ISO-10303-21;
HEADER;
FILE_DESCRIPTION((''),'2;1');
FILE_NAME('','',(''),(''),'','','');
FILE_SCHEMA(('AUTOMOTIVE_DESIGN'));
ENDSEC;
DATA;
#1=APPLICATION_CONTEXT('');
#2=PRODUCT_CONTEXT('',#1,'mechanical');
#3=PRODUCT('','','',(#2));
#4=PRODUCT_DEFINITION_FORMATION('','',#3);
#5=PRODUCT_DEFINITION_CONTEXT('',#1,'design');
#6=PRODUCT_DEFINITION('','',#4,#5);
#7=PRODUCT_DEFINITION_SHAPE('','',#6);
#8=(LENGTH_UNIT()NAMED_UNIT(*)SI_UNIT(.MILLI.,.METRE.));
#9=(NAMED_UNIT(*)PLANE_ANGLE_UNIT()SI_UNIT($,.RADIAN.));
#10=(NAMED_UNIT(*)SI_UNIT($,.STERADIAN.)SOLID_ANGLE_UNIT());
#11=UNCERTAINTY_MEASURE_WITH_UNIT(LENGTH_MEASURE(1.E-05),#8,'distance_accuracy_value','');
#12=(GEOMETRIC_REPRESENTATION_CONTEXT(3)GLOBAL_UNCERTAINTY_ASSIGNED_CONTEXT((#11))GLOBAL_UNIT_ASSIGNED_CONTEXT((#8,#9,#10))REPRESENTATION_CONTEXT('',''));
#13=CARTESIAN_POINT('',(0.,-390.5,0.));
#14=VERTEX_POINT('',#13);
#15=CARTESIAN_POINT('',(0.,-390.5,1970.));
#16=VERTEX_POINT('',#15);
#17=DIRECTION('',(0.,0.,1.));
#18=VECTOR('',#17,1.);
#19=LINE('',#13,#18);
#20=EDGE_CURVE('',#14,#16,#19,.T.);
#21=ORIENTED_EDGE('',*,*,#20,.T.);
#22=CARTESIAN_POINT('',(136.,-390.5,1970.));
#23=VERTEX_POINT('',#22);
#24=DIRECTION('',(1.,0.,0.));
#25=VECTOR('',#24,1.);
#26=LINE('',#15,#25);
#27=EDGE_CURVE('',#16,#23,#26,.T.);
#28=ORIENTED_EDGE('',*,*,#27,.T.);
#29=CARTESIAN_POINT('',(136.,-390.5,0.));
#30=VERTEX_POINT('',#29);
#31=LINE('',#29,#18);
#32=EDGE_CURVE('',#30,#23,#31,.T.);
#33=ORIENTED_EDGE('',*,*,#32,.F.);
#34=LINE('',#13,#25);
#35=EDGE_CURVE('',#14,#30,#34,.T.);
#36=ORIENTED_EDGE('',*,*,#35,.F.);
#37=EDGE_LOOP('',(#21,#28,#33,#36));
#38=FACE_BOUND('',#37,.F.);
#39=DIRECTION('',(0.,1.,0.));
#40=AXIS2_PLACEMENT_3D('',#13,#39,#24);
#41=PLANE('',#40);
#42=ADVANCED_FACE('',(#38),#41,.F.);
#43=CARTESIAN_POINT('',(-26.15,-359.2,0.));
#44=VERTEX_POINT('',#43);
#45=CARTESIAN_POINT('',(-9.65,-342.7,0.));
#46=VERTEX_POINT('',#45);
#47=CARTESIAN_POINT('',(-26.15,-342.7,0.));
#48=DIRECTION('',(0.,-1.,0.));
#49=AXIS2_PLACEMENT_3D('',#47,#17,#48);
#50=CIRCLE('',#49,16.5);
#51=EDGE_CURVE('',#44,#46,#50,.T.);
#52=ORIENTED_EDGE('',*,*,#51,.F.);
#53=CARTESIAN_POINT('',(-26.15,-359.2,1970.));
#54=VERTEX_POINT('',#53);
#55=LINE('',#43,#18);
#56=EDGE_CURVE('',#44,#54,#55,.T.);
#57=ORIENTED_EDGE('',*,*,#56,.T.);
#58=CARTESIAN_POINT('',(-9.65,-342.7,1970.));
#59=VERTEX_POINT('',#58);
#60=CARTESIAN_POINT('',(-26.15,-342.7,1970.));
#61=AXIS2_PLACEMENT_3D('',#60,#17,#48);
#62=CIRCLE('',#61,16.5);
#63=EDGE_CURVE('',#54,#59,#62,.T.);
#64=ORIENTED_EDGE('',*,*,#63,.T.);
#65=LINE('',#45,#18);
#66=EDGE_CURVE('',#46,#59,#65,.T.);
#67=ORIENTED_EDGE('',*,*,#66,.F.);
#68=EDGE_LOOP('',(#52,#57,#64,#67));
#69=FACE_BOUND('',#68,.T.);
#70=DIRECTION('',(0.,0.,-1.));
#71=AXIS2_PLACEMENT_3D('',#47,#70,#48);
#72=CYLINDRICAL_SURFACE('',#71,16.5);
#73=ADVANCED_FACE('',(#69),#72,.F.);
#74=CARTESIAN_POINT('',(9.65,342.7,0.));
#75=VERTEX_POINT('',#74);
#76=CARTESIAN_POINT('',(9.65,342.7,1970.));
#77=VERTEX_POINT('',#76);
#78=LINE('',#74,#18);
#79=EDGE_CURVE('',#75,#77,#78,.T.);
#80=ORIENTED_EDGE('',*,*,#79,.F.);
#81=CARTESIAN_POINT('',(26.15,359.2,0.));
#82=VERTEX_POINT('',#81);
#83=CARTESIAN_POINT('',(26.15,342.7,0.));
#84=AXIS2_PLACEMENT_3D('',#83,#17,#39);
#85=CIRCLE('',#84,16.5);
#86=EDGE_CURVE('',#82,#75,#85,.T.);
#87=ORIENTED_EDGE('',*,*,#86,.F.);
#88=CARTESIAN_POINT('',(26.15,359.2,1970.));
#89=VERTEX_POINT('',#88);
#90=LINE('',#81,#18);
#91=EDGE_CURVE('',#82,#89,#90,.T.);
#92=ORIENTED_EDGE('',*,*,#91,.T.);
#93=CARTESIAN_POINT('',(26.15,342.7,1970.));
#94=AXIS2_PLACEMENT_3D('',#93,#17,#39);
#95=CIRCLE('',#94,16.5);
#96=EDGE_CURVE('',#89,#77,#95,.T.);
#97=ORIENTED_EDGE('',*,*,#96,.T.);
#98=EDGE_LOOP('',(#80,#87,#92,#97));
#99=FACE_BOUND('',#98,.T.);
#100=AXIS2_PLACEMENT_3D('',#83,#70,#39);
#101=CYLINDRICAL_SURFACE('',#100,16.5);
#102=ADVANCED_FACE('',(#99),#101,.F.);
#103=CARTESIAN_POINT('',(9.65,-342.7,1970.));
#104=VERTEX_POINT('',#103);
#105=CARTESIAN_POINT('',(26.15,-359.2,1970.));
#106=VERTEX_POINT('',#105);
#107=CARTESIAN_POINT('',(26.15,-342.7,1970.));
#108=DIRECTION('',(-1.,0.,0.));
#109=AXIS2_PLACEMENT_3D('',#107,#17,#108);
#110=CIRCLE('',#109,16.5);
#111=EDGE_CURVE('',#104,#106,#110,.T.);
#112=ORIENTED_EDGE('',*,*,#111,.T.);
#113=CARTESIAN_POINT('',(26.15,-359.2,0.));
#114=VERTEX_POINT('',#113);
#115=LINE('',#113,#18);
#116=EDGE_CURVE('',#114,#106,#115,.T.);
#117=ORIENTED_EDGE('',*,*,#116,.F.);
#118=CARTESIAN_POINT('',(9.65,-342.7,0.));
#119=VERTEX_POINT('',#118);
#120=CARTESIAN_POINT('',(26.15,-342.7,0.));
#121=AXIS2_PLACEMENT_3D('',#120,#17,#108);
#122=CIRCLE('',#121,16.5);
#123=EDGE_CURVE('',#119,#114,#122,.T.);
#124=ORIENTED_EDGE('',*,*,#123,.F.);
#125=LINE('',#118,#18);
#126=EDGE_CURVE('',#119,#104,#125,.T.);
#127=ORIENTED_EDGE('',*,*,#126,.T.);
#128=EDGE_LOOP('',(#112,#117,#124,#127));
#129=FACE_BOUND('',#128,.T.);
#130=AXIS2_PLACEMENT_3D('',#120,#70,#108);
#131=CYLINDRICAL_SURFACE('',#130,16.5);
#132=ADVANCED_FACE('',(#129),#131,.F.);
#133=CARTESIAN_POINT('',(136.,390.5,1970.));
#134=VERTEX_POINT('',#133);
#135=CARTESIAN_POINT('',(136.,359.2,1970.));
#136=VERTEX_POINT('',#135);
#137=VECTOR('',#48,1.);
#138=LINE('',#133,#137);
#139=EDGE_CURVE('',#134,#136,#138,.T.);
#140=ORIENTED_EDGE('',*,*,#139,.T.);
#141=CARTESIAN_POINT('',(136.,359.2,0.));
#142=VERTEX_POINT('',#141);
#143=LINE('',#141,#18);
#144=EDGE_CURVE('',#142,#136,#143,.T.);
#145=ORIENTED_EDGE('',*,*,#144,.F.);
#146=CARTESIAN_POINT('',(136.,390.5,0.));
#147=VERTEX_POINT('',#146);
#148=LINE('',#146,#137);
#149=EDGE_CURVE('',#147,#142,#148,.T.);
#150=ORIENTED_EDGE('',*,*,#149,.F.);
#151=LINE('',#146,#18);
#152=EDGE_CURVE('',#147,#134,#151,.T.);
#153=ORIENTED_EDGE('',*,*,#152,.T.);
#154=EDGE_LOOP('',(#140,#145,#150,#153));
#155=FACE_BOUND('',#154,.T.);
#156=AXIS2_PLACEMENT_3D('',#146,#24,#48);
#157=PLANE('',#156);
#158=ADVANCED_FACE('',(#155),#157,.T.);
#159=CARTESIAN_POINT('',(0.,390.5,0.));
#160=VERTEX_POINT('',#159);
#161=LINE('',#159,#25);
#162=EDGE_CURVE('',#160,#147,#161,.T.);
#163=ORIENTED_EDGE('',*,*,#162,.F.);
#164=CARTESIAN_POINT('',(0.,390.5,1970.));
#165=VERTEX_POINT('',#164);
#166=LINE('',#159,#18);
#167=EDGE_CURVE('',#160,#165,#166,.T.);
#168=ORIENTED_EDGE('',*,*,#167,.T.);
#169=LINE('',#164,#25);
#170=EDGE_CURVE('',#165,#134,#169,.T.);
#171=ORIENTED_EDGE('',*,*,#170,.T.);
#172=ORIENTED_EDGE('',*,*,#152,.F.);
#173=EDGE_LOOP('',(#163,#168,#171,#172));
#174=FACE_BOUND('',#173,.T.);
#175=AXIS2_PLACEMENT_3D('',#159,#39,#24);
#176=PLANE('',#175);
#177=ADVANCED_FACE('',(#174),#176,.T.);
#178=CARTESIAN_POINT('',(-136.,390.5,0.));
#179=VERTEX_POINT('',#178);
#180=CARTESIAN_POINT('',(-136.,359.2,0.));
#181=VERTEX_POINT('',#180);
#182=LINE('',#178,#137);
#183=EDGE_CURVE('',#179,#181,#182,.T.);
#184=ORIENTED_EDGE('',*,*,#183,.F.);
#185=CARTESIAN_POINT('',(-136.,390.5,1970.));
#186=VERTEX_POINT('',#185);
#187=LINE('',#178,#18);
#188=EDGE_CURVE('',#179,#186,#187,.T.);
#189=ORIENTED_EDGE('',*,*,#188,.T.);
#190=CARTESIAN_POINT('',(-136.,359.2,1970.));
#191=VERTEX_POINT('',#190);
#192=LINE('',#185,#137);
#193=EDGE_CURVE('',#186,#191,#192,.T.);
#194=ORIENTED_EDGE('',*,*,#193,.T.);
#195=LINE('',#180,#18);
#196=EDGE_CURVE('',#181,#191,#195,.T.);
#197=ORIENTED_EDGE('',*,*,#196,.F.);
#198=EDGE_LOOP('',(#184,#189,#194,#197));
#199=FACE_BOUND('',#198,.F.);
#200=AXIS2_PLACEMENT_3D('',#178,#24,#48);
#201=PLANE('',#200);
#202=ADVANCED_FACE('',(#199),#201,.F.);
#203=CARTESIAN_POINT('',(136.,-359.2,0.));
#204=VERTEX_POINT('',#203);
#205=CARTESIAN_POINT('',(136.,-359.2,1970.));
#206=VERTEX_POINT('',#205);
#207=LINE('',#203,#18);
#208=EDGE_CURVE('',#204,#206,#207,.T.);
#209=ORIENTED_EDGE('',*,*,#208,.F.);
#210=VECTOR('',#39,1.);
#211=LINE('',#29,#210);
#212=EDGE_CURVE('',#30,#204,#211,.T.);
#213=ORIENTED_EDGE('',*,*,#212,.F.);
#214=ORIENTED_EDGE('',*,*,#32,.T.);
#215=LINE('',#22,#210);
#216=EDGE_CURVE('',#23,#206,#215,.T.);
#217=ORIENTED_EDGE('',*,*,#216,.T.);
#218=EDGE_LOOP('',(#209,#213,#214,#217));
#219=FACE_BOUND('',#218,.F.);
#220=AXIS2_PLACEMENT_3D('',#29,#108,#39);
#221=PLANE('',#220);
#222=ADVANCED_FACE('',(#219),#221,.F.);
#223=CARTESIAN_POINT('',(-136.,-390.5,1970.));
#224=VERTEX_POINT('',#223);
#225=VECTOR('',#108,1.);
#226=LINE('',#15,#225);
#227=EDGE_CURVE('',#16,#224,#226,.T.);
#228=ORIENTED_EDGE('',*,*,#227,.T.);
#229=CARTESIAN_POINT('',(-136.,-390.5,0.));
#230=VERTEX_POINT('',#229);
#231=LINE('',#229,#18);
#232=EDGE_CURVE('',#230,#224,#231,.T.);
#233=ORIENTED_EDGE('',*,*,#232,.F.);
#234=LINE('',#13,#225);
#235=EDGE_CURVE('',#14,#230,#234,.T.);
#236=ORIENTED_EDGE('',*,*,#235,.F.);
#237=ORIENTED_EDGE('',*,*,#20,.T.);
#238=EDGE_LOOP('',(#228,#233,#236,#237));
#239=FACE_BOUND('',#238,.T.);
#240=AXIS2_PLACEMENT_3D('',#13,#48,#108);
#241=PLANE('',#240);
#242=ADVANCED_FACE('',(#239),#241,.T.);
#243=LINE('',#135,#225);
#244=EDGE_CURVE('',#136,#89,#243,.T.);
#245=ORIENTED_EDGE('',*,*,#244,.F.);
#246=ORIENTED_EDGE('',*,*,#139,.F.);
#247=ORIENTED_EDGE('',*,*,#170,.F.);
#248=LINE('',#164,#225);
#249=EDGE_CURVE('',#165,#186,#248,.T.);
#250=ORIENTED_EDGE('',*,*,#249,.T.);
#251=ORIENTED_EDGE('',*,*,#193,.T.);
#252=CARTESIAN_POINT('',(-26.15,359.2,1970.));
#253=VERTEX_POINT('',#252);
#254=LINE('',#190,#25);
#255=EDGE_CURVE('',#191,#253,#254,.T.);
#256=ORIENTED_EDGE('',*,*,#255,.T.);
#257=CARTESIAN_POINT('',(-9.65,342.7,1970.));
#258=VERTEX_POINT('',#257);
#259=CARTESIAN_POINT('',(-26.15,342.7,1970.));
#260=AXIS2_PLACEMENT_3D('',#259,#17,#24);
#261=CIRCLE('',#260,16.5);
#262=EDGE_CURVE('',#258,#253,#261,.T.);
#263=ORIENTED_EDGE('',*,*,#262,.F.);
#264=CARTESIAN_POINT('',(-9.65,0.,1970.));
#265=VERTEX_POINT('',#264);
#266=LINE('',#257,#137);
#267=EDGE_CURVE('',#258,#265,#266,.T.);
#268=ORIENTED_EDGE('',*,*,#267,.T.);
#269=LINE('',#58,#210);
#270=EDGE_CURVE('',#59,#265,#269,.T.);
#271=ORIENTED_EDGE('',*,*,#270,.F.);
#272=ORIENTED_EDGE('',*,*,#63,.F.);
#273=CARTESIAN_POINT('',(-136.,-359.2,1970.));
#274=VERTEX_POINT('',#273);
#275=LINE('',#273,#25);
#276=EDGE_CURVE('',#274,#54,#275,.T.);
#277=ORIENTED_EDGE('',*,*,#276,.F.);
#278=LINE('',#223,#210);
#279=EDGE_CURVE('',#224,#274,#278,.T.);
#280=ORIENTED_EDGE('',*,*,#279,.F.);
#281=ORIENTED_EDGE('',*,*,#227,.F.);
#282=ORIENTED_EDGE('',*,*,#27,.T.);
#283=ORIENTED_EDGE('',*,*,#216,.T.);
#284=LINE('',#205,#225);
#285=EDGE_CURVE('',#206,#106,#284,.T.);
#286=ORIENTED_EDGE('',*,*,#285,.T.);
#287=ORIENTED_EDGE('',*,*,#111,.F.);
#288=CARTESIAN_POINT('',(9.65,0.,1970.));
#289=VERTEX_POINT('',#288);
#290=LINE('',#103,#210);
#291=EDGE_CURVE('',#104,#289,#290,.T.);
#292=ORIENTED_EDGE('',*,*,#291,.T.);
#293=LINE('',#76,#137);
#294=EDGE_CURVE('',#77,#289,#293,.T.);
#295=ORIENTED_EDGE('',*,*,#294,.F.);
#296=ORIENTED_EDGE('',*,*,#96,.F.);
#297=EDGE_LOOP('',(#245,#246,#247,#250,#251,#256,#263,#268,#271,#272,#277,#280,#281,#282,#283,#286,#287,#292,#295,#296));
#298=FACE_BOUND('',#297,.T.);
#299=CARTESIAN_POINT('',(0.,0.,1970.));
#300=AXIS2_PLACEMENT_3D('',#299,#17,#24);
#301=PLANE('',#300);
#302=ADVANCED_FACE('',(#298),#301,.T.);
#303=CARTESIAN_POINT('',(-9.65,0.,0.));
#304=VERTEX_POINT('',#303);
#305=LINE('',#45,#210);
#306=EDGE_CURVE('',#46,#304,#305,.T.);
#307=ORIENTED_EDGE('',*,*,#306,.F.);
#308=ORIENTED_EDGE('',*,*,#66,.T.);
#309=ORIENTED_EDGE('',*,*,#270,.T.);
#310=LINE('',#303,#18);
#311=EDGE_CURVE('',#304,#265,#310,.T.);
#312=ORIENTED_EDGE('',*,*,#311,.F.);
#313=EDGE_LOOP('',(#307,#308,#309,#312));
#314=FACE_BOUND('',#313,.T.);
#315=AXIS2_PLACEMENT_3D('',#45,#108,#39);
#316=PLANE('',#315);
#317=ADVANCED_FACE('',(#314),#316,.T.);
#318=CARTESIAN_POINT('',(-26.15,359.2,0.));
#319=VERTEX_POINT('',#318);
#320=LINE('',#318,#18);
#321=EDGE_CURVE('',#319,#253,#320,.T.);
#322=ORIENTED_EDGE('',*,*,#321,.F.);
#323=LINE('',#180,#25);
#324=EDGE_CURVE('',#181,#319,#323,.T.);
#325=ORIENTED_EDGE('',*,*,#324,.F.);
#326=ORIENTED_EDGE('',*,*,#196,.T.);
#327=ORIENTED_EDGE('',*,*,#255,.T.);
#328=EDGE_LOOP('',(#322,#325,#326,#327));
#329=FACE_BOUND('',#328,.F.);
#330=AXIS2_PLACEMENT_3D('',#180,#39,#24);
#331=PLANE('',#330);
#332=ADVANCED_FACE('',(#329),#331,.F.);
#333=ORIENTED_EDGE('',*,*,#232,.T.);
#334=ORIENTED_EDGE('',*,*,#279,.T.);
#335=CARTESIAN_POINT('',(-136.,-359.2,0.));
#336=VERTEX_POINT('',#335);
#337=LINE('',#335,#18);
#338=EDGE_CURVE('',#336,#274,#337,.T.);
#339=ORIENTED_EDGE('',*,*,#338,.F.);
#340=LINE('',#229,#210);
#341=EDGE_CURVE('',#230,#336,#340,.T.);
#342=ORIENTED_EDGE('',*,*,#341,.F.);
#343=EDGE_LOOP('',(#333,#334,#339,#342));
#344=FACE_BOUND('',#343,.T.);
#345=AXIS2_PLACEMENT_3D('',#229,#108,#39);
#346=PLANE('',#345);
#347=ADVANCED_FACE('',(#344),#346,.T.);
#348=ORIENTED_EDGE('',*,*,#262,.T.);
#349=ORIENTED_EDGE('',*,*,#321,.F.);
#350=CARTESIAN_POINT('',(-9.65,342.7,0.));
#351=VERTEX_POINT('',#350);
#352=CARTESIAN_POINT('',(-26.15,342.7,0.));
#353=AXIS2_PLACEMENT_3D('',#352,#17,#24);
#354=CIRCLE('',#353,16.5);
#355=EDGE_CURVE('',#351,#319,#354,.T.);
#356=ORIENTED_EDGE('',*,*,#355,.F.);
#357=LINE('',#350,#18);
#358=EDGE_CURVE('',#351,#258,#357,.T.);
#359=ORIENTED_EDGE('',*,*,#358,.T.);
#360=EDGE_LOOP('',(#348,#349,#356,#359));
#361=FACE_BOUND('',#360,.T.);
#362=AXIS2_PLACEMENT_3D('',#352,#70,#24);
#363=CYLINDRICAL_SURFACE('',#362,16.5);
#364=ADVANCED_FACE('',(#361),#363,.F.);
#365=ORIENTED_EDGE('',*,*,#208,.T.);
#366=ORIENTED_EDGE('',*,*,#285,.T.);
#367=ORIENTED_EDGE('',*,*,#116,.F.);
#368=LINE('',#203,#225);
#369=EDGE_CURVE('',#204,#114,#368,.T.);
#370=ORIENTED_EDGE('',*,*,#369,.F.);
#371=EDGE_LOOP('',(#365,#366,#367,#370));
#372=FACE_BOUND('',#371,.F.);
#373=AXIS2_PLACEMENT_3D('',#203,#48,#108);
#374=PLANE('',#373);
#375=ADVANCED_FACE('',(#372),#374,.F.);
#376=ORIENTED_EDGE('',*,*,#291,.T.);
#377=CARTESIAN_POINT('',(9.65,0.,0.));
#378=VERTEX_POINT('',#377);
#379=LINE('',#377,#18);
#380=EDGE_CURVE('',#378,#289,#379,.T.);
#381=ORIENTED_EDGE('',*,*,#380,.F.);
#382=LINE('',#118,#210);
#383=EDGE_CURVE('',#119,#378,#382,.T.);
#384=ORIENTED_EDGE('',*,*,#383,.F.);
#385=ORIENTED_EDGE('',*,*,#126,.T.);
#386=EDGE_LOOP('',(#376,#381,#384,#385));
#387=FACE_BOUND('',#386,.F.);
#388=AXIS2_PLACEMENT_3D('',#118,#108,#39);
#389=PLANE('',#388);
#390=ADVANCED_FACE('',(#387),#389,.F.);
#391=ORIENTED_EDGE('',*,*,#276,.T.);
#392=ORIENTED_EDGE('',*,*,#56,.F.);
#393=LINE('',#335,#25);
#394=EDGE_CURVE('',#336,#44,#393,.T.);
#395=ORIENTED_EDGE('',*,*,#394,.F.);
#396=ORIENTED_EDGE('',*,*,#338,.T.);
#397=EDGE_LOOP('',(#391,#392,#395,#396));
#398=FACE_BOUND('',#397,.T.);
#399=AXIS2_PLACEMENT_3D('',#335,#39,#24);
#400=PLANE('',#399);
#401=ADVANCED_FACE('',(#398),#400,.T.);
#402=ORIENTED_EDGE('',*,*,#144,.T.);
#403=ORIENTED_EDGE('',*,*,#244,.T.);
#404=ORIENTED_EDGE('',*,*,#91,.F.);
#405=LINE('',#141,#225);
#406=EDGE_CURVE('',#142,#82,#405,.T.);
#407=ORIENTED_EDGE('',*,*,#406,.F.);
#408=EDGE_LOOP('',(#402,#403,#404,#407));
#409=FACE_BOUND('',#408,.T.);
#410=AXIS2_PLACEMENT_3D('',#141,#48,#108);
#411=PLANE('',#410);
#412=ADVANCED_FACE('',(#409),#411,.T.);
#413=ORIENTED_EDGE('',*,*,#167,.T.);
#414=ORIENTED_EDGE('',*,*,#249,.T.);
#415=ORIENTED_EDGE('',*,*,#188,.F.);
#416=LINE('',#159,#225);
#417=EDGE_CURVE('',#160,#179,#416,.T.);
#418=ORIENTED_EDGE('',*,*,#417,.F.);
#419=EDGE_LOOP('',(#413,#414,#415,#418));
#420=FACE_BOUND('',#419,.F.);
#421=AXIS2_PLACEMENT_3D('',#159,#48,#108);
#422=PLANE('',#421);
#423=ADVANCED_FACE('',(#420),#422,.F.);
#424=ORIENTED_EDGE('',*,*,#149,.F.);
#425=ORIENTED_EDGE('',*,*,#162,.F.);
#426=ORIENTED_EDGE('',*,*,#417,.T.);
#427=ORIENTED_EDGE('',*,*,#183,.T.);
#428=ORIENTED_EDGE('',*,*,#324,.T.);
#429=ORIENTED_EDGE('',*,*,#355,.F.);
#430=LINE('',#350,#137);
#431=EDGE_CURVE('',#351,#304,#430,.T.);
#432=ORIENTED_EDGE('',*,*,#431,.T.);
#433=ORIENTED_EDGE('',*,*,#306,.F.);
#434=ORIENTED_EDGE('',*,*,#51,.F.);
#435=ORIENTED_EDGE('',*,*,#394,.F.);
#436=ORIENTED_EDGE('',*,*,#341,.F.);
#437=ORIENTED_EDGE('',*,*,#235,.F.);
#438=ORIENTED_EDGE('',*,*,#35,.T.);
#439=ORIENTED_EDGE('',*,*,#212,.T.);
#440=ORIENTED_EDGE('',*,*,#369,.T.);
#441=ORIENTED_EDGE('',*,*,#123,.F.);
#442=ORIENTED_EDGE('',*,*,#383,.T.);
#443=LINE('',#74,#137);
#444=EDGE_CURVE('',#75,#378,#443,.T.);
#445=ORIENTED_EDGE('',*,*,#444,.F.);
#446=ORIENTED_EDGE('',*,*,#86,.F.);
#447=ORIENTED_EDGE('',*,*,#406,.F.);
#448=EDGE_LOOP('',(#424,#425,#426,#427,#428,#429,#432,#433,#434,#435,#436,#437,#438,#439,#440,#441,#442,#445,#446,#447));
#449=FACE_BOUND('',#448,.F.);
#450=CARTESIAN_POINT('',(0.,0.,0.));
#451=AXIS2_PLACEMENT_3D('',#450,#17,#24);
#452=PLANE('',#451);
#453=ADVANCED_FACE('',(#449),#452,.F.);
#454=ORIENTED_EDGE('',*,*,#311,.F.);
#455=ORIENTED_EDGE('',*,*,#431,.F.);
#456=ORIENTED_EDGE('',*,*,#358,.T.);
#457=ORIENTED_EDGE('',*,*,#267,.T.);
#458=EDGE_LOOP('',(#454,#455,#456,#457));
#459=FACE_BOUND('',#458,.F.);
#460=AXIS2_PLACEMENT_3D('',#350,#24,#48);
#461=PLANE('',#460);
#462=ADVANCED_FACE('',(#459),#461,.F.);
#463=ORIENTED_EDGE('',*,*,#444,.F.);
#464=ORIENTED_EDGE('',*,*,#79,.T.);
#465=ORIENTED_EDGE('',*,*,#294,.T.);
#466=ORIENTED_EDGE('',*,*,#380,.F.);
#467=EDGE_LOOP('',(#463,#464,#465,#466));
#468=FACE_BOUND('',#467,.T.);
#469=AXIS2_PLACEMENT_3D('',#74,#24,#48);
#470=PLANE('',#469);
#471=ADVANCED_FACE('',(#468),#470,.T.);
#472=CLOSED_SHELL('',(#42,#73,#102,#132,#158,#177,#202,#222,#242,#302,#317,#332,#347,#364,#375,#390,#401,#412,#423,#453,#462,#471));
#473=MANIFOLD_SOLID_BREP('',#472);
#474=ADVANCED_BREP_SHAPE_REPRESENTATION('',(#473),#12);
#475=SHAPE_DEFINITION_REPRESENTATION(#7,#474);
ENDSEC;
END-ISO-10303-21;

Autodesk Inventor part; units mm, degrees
ref_plane "YZ Plane" through (0, 0, 0) normal (1, 0, 0) x (0, 1, 0)
ref_plane "Start plane" through (0, 0, 0) normal (0, 0, 1) x (1, 0, 0)
ref_plane "End plane" through (0, 0, 1970) normal (0, 0, 1) x (1, 0, 0)
sketch "Sketch" plane through (0, 0, 0) normal (0, 0, 1) x (1, 0, 0)
  line L0 (-136, -390.5) -> (-136, -359.2)
  line L1 (-136, -359.2) -> (-26.15, -359.2)
  line L2 (-9.65, -342.7) -> (-9.65, 0)
  line L3 (-9.65, 0) -> (0, 0) construction
  line L4 (0, 0) -> (0, -390.5) construction
  line L5 (0, -390.5) -> (-136, -390.5)
  line L6 (-60, 0) -> (80, 0) construction
  line L7 (0, -60) -> (0, 80) construction
  line L8 (136, -390.5) -> (136, -359.2)
  line L9 (136, -359.2) -> (26.15, -359.2)
  line L10 (9.65, -342.7) -> (9.65, 0)
  line L11 (9.65, 0) -> (0, 0) construction
  line L12 (0, -390.5) -> (136, -390.5)
  line L13 (-136, 390.5) -> (-136, 359.2)
  line L14 (-136, 359.2) -> (-26.15, 359.2)
  line L15 (-9.65, 342.7) -> (-9.65, 0)
  line L16 (0, 390.5) -> (-136, 390.5)
  line L17 (136, 390.5) -> (136, 359.2)
  line L18 (136, 359.2) -> (26.15, 359.2)
  line L19 (0, 390.5) -> (136, 390.5)
  line L20 (9.65, 342.7) -> (9.65, 0)
  arc A0 (-9.65, 342.7) -> (-26.15, 359.2) centre (-26.15, 342.7) ccw
  arc A1 (26.15, 359.2) -> (9.65, 342.7) centre (26.15, 342.7) ccw
  arc A2 (9.65, -342.7) -> (26.15, -359.2) centre (26.15, -342.7) ccw
  arc A3 (-26.15, -359.2) -> (-9.65, -342.7) centre (-26.15, -342.7) ccw
  line L21 (0, 108) -> (0, -88) construction
  line L22 (-88, 0) -> (108, 0) construction
  point P0 (-9.65, -359.2)
  point P1 (9.65, -359.2)
  point P2 (-9.65, 359.2)
  point P3 (9.65, 359.2)
  dimension "d1" = 390.5
  dimension "d2" = 31.3
  dimension "d3" = 136
  dimension "d4" = 9.65
  dimension "d10" = 16.5
extrude "Body" add sketch "Sketch" along normal up to surface (1970 mm away) from surface at 0
sketch "Sketch4" plane through (0, 0, 0) normal (0, 0, 1) x (1, 0, 0)
  line L0 (0, 0) -> (10, 0)
ref_plane "Work Plane3" through (0, 0, 0) normal (0, -1, 0) x (1, 0, 0)
sketch "Sketch5" plane through (0, 0, 0) normal (0, -1, 0) x (1, 0, 0)
  line L0 (-2, 0) -> (12, 0) projected
  line L1 (-2, 1970) -> (12, 1970) projected
  dimension "d14" = 1970
equation "\"d1\" = 0.5 * G_H"
equation "\"d2\" = G_T1"
equation "\"d3\" = 0.5 * G_W"
equation "\"d4\" = 0.5 * G_T"
equation "\"d10\" = G_IR"
equation "\"d5\" = G_L"
equation "\"G_W\" = 272"
equation "\"G_H\" = 781"
equation "\"G_T\" = 19.3"
equation "\"G_T1\" = 31.3"
equation "\"G_IR\" = 16.5"
equation "\"G_L\" = d14"
equation "\"G_OFFSET_START\" = 0"
equation "\"G_OFFSET_END\" = 0"
properties part number "AS 3679-1990 - 760 UB - 244 - 1970" material "Steel, Mild"
